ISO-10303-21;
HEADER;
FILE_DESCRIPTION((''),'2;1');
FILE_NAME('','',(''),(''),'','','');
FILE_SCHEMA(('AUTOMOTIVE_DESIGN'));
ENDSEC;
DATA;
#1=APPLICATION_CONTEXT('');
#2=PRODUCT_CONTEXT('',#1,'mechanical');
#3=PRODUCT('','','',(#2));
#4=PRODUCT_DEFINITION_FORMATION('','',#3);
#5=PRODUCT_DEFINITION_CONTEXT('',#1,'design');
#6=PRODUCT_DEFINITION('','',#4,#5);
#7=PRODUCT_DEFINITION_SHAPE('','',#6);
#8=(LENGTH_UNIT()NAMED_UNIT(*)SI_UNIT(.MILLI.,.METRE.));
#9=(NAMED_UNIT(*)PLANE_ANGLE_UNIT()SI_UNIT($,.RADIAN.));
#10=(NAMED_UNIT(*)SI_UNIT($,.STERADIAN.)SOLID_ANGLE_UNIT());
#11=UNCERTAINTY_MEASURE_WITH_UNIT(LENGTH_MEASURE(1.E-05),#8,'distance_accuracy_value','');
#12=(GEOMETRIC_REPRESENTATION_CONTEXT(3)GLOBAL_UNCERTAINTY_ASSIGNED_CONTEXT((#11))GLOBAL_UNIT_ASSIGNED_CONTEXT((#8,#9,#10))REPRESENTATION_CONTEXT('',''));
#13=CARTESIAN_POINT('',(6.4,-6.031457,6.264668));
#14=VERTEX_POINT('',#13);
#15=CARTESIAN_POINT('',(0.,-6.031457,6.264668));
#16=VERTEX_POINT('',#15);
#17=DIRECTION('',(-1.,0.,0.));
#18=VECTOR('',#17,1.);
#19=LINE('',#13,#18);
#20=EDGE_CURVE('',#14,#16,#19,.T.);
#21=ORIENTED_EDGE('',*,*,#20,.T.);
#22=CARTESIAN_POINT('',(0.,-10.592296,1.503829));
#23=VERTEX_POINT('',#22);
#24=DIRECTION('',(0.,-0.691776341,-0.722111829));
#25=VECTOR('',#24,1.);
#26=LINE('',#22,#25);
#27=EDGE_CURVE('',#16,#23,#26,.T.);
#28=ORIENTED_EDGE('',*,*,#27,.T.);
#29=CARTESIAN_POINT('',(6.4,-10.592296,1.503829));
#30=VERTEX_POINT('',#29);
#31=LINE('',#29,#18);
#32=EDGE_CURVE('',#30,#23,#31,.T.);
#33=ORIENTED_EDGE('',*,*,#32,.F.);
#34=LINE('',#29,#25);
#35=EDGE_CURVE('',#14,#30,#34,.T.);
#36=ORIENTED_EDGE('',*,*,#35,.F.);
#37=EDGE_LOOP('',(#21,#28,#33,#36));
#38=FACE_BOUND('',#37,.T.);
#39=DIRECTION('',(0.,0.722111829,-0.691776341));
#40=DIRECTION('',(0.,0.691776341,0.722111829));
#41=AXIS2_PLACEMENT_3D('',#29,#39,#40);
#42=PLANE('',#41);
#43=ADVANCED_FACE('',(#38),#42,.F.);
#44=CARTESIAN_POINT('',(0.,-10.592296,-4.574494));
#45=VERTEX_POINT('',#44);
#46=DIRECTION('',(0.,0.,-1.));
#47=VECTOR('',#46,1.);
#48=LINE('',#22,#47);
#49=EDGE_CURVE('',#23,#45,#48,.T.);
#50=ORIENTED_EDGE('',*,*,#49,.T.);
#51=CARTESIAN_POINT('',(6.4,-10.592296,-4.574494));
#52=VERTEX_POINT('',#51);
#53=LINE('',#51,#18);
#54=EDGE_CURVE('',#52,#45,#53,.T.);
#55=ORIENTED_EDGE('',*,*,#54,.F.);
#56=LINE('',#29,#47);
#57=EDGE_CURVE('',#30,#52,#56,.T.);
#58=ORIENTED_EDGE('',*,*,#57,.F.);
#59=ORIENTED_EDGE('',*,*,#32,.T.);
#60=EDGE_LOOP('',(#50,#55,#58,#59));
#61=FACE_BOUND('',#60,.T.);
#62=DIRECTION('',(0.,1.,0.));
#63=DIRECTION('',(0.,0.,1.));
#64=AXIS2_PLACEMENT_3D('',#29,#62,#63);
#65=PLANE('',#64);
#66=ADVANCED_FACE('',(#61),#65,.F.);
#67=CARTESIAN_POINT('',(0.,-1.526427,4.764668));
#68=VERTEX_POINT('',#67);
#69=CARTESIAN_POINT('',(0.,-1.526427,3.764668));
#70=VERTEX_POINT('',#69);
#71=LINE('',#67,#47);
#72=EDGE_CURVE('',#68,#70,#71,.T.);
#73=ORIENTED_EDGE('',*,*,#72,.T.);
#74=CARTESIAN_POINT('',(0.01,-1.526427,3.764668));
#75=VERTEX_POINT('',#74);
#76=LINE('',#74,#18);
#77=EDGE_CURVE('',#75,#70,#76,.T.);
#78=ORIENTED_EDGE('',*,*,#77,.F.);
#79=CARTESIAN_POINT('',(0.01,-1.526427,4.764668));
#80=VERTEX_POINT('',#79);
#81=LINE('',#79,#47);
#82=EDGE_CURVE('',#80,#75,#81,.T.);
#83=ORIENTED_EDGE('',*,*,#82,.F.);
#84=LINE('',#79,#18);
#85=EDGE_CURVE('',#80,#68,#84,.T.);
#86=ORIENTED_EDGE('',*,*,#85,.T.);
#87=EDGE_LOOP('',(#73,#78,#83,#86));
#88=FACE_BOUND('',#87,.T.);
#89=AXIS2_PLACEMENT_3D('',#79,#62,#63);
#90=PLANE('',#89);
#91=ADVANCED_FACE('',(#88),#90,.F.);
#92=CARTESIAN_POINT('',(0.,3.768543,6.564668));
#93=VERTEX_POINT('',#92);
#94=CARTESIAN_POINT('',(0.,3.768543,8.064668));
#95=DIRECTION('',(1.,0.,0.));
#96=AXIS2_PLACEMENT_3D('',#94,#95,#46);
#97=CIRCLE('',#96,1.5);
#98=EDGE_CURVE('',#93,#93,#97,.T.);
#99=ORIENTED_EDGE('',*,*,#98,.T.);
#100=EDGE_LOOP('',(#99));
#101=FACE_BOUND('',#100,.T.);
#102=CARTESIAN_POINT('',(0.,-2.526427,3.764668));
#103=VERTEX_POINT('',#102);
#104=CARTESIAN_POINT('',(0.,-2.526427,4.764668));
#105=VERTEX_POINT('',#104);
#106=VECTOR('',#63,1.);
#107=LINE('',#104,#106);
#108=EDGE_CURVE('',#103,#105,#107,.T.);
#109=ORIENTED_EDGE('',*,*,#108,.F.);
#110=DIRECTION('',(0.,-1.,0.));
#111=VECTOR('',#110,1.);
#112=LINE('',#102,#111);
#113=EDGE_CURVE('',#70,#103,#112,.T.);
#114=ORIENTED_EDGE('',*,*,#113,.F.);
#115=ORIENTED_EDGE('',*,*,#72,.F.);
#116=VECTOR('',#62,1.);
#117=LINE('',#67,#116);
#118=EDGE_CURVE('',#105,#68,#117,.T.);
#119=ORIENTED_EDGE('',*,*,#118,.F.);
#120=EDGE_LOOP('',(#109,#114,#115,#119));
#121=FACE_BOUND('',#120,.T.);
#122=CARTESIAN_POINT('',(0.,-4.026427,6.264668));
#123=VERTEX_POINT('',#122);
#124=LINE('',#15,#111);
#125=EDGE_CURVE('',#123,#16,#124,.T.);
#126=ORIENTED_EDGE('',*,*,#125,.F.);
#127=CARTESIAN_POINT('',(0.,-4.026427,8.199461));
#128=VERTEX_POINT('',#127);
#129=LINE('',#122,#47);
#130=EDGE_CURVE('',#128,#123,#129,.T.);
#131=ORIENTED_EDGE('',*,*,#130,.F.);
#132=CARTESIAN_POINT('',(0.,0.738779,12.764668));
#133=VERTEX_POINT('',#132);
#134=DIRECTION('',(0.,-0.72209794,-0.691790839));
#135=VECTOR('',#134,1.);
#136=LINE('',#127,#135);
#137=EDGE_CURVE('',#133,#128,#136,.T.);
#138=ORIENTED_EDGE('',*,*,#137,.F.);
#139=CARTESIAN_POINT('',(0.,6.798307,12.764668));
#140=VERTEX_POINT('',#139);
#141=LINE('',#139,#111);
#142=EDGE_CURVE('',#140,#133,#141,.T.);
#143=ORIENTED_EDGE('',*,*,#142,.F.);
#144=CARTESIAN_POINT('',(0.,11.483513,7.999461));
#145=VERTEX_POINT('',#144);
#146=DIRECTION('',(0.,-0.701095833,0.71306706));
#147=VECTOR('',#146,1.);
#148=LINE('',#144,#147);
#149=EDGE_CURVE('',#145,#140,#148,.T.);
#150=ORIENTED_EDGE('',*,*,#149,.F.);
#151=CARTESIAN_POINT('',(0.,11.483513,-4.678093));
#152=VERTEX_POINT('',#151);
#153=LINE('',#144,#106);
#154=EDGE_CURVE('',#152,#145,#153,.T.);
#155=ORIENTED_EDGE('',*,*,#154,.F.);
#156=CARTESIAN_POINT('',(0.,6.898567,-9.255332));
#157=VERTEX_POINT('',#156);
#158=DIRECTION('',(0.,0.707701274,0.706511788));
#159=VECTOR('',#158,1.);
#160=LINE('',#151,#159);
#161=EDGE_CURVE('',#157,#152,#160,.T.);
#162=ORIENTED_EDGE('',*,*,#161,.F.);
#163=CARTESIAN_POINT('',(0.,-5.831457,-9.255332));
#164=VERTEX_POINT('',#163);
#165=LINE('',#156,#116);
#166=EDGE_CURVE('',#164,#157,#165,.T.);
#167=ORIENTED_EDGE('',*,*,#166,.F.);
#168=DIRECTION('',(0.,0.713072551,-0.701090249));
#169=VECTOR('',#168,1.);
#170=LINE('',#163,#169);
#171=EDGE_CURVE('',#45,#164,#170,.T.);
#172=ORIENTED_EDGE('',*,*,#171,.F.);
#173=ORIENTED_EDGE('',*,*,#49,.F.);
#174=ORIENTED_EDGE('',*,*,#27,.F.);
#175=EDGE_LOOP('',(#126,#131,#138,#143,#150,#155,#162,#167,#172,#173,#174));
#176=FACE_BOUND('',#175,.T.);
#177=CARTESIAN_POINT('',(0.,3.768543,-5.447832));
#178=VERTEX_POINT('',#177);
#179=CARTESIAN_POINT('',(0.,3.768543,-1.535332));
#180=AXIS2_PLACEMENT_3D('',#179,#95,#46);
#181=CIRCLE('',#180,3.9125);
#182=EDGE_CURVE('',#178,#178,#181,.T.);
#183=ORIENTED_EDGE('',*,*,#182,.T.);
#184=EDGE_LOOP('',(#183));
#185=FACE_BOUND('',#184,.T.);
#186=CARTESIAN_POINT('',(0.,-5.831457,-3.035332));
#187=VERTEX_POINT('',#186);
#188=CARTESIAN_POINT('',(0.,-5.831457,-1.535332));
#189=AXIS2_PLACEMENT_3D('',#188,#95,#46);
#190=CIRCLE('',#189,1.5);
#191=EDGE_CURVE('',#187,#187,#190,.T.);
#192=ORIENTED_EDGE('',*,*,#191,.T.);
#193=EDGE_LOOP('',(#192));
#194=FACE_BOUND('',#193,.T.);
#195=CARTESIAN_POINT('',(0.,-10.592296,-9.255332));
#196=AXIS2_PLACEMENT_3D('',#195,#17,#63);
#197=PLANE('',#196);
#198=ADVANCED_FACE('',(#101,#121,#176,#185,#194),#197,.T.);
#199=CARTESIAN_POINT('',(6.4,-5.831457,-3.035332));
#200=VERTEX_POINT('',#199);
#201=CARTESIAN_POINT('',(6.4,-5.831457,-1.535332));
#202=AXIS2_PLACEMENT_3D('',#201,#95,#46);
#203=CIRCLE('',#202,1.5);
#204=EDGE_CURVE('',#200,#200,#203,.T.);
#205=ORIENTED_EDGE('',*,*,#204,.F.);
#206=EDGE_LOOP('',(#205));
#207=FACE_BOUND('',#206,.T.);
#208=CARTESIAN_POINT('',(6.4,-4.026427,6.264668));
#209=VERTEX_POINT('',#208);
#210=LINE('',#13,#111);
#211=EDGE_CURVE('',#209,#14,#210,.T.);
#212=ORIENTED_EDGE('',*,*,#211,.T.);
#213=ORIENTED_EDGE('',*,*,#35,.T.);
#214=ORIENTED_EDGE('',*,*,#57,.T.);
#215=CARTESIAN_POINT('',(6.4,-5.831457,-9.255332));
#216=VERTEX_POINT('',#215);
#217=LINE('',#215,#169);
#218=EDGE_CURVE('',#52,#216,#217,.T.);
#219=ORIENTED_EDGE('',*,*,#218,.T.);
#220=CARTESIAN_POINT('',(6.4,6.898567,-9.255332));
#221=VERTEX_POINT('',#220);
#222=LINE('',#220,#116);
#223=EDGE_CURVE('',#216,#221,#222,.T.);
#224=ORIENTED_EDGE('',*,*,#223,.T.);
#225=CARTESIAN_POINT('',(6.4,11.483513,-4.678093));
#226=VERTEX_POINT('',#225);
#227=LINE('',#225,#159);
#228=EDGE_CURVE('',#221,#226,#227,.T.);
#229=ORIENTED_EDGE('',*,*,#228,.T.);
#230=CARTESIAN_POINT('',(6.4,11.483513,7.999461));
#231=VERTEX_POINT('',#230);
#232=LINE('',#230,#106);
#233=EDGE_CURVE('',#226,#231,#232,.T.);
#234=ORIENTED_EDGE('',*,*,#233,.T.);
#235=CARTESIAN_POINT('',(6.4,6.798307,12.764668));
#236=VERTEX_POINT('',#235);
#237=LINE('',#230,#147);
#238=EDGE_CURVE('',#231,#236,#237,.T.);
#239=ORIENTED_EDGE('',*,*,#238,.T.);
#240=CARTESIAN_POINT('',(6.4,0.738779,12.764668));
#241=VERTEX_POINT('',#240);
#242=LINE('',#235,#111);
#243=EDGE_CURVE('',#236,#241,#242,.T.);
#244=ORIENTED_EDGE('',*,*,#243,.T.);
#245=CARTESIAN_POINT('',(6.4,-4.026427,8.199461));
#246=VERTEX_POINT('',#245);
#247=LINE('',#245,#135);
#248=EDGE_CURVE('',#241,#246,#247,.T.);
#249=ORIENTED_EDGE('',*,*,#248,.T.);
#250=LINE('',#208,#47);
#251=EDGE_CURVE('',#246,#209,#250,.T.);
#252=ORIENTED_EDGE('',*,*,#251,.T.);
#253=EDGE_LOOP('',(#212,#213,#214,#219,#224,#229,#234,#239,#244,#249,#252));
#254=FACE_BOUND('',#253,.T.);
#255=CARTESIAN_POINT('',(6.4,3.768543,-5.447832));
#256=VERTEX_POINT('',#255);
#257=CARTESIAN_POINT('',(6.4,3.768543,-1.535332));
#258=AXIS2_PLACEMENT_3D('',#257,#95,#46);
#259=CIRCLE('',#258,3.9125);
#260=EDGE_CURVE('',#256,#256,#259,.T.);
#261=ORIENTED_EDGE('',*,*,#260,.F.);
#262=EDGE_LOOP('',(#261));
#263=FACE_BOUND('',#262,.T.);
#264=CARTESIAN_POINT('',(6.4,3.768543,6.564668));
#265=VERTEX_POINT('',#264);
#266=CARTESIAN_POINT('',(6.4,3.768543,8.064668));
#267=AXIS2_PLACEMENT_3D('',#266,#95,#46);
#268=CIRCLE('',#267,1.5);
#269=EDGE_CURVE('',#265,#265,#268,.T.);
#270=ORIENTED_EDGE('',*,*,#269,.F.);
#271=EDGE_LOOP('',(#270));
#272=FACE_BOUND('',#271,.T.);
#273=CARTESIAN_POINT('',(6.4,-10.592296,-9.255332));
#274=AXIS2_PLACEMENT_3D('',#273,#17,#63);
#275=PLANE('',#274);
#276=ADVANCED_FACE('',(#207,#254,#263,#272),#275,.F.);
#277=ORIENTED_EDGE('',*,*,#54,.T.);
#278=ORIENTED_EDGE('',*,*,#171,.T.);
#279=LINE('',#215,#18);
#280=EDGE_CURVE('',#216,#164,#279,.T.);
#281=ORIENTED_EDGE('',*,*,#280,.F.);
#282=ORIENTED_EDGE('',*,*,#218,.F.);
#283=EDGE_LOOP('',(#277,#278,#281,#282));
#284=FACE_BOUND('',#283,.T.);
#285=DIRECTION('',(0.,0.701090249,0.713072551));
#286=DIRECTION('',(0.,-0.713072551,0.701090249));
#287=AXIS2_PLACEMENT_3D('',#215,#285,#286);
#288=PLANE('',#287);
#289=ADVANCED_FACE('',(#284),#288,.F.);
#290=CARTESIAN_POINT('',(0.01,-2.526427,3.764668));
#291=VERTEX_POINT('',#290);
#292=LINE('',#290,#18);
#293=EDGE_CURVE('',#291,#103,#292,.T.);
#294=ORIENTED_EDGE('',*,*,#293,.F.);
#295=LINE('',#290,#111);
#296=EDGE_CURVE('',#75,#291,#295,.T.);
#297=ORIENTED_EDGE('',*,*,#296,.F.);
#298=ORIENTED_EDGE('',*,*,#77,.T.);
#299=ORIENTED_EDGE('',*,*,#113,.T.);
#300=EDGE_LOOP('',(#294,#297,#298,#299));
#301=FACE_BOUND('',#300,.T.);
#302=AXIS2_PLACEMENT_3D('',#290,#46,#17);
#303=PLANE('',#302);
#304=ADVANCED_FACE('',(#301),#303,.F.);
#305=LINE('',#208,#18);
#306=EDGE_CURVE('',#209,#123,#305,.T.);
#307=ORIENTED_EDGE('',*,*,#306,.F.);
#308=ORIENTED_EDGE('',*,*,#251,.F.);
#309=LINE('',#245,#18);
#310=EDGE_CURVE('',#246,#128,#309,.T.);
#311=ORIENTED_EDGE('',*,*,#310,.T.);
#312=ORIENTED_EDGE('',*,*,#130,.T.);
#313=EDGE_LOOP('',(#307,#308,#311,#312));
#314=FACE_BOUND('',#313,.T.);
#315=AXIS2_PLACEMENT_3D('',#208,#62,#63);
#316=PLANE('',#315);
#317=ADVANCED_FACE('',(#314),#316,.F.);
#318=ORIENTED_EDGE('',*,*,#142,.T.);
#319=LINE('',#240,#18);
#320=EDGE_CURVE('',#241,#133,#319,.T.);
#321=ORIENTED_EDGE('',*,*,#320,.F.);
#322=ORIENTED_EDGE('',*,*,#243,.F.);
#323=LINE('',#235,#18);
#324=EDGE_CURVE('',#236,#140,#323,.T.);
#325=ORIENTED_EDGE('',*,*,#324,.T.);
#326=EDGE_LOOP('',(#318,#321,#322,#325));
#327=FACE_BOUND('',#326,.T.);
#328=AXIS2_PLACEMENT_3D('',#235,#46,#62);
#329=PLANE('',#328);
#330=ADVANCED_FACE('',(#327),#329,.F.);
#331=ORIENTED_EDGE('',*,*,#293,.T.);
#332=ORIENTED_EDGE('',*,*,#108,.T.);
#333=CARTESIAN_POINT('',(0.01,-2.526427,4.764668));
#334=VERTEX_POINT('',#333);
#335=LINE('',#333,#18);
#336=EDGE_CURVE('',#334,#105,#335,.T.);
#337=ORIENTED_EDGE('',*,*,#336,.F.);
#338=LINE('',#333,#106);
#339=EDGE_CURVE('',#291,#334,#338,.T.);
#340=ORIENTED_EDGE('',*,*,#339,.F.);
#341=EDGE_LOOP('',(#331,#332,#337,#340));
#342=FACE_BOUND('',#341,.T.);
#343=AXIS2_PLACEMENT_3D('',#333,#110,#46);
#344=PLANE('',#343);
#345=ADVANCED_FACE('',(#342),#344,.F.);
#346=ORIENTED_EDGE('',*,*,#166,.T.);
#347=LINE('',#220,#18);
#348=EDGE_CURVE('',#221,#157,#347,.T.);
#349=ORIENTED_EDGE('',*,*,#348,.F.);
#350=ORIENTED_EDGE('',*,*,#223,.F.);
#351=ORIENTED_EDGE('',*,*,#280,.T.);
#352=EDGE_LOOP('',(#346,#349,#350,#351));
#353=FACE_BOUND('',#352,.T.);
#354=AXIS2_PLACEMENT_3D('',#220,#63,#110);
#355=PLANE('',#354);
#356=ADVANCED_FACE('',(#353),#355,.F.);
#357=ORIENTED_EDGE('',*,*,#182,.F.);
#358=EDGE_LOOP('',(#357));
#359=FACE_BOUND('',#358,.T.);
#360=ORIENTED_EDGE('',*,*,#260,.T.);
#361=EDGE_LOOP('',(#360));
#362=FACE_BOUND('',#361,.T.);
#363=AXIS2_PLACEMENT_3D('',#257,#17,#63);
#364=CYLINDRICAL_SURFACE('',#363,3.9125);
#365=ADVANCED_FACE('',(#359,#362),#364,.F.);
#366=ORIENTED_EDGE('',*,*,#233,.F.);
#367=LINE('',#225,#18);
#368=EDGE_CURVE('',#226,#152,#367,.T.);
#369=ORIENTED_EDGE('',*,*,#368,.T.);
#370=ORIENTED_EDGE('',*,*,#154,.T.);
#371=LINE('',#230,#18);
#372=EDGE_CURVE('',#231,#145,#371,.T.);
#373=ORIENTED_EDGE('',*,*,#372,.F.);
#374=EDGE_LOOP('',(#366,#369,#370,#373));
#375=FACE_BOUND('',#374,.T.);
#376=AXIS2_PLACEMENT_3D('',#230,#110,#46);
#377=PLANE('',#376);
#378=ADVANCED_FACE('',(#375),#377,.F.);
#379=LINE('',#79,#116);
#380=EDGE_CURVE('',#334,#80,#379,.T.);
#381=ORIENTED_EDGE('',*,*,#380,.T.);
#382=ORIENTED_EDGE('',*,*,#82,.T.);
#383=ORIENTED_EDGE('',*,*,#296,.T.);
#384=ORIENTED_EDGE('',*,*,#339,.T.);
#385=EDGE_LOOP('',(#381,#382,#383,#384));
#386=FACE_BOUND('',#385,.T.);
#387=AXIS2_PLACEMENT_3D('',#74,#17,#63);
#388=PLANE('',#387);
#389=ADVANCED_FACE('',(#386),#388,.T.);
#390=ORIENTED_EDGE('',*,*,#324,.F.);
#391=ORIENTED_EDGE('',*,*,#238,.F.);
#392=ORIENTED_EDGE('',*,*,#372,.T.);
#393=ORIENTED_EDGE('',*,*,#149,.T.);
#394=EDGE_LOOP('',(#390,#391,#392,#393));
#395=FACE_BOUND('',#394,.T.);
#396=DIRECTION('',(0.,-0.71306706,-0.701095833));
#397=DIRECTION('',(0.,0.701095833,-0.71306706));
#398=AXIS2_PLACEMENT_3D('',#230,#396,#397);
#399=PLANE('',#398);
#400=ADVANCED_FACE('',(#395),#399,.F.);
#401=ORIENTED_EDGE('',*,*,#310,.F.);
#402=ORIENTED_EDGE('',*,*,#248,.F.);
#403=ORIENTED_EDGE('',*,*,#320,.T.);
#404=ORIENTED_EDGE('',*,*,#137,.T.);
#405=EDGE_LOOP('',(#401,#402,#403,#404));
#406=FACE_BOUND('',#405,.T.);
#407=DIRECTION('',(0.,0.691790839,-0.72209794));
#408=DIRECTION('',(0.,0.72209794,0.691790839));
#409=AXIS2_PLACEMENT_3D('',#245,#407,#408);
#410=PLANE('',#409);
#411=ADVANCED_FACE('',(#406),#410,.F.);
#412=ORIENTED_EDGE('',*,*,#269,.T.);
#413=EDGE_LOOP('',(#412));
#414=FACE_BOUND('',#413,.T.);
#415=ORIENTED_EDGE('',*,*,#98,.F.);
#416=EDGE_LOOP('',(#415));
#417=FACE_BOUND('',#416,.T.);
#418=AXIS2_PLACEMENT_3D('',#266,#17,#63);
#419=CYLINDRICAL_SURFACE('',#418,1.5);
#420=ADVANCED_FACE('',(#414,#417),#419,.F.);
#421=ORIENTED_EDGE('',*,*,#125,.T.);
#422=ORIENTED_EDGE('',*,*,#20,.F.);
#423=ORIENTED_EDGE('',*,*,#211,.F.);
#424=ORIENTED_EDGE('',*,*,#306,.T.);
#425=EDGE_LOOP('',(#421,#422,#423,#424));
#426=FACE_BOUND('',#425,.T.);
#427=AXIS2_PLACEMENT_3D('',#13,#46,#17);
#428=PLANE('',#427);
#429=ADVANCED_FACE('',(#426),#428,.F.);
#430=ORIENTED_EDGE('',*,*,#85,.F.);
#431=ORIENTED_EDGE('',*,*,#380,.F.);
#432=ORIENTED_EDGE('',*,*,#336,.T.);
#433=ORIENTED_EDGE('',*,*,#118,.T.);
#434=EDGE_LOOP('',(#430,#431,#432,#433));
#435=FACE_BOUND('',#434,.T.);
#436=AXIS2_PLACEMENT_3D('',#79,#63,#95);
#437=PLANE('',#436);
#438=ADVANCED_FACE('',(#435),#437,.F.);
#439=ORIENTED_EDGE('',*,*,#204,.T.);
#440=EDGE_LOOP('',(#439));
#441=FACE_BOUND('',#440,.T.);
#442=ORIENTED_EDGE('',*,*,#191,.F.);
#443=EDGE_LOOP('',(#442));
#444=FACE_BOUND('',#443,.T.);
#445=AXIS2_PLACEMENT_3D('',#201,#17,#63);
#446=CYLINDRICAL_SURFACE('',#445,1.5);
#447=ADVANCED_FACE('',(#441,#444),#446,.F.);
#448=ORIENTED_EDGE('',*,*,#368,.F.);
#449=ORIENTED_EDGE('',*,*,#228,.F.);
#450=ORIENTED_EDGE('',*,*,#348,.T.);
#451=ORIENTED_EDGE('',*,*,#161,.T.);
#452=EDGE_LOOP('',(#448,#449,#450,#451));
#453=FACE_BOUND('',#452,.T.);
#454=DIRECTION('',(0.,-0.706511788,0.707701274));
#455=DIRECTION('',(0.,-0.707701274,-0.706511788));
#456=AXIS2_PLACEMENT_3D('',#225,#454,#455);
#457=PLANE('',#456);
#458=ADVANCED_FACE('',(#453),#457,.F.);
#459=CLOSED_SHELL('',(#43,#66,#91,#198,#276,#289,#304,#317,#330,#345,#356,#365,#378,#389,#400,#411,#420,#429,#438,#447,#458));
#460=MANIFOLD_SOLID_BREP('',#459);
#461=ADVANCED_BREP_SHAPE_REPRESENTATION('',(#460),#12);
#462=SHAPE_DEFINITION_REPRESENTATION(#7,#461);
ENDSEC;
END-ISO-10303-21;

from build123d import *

# Parameters (mm, degrees)
SKETCH1_R           = 3.9125
SKETCH1_R_2         = 1.5
BOSS_EXTRUDE1_DEPTH = 6.4
SKETCH2_W           = 1
SKETCH2_H           = 1
CUT_EXTRUDE1_DEPTH  = 0.01


with BuildPart() as part:
    # Sketch1 → Boss-Extrude1 (new body)
    with BuildSketch(Plane(origin=(0, 0, 0), x_dir=(0, 0, -1), z_dir=(1, 0, 0))):
        Polygon((9.255332298, -5.831457087), (4.574493559, -10.592295826), (-1.503828964, -10.592295826), (-6.264667702, -6.031457087), (-6.264667702, -4.026426966), (-8.199461444, -4.026426966), (-12.764667702, 0.738779293), (-12.764667702, 6.798306532), (-7.999461444, 11.483512791), (4.678092816, 11.483512791), (9.255332298, 6.898567055), align=None)
        with Locations((1.535332298, 3.768542913)):
            Circle(SKETCH1_R, mode=Mode.SUBTRACT)
        with Locations((-8.064667702, 3.768542913)):
            Circle(SKETCH1_R_2, mode=Mode.SUBTRACT)
        with Locations((1.535332298, -5.831457087)):
            Circle(SKETCH1_R_2, mode=Mode.SUBTRACT)
    extrude(amount=BOSS_EXTRUDE1_DEPTH)

    # Sketch2 → Cut-Extrude1 (cut)
    with BuildSketch(Plane.ZY):
        with Locations((4.264667702, -2.026426966)):
            Rectangle(SKETCH2_W, SKETCH2_H)
    extrude(amount=-CUT_EXTRUDE1_DEPTH, mode=Mode.SUBTRACT)


solid = part.part
